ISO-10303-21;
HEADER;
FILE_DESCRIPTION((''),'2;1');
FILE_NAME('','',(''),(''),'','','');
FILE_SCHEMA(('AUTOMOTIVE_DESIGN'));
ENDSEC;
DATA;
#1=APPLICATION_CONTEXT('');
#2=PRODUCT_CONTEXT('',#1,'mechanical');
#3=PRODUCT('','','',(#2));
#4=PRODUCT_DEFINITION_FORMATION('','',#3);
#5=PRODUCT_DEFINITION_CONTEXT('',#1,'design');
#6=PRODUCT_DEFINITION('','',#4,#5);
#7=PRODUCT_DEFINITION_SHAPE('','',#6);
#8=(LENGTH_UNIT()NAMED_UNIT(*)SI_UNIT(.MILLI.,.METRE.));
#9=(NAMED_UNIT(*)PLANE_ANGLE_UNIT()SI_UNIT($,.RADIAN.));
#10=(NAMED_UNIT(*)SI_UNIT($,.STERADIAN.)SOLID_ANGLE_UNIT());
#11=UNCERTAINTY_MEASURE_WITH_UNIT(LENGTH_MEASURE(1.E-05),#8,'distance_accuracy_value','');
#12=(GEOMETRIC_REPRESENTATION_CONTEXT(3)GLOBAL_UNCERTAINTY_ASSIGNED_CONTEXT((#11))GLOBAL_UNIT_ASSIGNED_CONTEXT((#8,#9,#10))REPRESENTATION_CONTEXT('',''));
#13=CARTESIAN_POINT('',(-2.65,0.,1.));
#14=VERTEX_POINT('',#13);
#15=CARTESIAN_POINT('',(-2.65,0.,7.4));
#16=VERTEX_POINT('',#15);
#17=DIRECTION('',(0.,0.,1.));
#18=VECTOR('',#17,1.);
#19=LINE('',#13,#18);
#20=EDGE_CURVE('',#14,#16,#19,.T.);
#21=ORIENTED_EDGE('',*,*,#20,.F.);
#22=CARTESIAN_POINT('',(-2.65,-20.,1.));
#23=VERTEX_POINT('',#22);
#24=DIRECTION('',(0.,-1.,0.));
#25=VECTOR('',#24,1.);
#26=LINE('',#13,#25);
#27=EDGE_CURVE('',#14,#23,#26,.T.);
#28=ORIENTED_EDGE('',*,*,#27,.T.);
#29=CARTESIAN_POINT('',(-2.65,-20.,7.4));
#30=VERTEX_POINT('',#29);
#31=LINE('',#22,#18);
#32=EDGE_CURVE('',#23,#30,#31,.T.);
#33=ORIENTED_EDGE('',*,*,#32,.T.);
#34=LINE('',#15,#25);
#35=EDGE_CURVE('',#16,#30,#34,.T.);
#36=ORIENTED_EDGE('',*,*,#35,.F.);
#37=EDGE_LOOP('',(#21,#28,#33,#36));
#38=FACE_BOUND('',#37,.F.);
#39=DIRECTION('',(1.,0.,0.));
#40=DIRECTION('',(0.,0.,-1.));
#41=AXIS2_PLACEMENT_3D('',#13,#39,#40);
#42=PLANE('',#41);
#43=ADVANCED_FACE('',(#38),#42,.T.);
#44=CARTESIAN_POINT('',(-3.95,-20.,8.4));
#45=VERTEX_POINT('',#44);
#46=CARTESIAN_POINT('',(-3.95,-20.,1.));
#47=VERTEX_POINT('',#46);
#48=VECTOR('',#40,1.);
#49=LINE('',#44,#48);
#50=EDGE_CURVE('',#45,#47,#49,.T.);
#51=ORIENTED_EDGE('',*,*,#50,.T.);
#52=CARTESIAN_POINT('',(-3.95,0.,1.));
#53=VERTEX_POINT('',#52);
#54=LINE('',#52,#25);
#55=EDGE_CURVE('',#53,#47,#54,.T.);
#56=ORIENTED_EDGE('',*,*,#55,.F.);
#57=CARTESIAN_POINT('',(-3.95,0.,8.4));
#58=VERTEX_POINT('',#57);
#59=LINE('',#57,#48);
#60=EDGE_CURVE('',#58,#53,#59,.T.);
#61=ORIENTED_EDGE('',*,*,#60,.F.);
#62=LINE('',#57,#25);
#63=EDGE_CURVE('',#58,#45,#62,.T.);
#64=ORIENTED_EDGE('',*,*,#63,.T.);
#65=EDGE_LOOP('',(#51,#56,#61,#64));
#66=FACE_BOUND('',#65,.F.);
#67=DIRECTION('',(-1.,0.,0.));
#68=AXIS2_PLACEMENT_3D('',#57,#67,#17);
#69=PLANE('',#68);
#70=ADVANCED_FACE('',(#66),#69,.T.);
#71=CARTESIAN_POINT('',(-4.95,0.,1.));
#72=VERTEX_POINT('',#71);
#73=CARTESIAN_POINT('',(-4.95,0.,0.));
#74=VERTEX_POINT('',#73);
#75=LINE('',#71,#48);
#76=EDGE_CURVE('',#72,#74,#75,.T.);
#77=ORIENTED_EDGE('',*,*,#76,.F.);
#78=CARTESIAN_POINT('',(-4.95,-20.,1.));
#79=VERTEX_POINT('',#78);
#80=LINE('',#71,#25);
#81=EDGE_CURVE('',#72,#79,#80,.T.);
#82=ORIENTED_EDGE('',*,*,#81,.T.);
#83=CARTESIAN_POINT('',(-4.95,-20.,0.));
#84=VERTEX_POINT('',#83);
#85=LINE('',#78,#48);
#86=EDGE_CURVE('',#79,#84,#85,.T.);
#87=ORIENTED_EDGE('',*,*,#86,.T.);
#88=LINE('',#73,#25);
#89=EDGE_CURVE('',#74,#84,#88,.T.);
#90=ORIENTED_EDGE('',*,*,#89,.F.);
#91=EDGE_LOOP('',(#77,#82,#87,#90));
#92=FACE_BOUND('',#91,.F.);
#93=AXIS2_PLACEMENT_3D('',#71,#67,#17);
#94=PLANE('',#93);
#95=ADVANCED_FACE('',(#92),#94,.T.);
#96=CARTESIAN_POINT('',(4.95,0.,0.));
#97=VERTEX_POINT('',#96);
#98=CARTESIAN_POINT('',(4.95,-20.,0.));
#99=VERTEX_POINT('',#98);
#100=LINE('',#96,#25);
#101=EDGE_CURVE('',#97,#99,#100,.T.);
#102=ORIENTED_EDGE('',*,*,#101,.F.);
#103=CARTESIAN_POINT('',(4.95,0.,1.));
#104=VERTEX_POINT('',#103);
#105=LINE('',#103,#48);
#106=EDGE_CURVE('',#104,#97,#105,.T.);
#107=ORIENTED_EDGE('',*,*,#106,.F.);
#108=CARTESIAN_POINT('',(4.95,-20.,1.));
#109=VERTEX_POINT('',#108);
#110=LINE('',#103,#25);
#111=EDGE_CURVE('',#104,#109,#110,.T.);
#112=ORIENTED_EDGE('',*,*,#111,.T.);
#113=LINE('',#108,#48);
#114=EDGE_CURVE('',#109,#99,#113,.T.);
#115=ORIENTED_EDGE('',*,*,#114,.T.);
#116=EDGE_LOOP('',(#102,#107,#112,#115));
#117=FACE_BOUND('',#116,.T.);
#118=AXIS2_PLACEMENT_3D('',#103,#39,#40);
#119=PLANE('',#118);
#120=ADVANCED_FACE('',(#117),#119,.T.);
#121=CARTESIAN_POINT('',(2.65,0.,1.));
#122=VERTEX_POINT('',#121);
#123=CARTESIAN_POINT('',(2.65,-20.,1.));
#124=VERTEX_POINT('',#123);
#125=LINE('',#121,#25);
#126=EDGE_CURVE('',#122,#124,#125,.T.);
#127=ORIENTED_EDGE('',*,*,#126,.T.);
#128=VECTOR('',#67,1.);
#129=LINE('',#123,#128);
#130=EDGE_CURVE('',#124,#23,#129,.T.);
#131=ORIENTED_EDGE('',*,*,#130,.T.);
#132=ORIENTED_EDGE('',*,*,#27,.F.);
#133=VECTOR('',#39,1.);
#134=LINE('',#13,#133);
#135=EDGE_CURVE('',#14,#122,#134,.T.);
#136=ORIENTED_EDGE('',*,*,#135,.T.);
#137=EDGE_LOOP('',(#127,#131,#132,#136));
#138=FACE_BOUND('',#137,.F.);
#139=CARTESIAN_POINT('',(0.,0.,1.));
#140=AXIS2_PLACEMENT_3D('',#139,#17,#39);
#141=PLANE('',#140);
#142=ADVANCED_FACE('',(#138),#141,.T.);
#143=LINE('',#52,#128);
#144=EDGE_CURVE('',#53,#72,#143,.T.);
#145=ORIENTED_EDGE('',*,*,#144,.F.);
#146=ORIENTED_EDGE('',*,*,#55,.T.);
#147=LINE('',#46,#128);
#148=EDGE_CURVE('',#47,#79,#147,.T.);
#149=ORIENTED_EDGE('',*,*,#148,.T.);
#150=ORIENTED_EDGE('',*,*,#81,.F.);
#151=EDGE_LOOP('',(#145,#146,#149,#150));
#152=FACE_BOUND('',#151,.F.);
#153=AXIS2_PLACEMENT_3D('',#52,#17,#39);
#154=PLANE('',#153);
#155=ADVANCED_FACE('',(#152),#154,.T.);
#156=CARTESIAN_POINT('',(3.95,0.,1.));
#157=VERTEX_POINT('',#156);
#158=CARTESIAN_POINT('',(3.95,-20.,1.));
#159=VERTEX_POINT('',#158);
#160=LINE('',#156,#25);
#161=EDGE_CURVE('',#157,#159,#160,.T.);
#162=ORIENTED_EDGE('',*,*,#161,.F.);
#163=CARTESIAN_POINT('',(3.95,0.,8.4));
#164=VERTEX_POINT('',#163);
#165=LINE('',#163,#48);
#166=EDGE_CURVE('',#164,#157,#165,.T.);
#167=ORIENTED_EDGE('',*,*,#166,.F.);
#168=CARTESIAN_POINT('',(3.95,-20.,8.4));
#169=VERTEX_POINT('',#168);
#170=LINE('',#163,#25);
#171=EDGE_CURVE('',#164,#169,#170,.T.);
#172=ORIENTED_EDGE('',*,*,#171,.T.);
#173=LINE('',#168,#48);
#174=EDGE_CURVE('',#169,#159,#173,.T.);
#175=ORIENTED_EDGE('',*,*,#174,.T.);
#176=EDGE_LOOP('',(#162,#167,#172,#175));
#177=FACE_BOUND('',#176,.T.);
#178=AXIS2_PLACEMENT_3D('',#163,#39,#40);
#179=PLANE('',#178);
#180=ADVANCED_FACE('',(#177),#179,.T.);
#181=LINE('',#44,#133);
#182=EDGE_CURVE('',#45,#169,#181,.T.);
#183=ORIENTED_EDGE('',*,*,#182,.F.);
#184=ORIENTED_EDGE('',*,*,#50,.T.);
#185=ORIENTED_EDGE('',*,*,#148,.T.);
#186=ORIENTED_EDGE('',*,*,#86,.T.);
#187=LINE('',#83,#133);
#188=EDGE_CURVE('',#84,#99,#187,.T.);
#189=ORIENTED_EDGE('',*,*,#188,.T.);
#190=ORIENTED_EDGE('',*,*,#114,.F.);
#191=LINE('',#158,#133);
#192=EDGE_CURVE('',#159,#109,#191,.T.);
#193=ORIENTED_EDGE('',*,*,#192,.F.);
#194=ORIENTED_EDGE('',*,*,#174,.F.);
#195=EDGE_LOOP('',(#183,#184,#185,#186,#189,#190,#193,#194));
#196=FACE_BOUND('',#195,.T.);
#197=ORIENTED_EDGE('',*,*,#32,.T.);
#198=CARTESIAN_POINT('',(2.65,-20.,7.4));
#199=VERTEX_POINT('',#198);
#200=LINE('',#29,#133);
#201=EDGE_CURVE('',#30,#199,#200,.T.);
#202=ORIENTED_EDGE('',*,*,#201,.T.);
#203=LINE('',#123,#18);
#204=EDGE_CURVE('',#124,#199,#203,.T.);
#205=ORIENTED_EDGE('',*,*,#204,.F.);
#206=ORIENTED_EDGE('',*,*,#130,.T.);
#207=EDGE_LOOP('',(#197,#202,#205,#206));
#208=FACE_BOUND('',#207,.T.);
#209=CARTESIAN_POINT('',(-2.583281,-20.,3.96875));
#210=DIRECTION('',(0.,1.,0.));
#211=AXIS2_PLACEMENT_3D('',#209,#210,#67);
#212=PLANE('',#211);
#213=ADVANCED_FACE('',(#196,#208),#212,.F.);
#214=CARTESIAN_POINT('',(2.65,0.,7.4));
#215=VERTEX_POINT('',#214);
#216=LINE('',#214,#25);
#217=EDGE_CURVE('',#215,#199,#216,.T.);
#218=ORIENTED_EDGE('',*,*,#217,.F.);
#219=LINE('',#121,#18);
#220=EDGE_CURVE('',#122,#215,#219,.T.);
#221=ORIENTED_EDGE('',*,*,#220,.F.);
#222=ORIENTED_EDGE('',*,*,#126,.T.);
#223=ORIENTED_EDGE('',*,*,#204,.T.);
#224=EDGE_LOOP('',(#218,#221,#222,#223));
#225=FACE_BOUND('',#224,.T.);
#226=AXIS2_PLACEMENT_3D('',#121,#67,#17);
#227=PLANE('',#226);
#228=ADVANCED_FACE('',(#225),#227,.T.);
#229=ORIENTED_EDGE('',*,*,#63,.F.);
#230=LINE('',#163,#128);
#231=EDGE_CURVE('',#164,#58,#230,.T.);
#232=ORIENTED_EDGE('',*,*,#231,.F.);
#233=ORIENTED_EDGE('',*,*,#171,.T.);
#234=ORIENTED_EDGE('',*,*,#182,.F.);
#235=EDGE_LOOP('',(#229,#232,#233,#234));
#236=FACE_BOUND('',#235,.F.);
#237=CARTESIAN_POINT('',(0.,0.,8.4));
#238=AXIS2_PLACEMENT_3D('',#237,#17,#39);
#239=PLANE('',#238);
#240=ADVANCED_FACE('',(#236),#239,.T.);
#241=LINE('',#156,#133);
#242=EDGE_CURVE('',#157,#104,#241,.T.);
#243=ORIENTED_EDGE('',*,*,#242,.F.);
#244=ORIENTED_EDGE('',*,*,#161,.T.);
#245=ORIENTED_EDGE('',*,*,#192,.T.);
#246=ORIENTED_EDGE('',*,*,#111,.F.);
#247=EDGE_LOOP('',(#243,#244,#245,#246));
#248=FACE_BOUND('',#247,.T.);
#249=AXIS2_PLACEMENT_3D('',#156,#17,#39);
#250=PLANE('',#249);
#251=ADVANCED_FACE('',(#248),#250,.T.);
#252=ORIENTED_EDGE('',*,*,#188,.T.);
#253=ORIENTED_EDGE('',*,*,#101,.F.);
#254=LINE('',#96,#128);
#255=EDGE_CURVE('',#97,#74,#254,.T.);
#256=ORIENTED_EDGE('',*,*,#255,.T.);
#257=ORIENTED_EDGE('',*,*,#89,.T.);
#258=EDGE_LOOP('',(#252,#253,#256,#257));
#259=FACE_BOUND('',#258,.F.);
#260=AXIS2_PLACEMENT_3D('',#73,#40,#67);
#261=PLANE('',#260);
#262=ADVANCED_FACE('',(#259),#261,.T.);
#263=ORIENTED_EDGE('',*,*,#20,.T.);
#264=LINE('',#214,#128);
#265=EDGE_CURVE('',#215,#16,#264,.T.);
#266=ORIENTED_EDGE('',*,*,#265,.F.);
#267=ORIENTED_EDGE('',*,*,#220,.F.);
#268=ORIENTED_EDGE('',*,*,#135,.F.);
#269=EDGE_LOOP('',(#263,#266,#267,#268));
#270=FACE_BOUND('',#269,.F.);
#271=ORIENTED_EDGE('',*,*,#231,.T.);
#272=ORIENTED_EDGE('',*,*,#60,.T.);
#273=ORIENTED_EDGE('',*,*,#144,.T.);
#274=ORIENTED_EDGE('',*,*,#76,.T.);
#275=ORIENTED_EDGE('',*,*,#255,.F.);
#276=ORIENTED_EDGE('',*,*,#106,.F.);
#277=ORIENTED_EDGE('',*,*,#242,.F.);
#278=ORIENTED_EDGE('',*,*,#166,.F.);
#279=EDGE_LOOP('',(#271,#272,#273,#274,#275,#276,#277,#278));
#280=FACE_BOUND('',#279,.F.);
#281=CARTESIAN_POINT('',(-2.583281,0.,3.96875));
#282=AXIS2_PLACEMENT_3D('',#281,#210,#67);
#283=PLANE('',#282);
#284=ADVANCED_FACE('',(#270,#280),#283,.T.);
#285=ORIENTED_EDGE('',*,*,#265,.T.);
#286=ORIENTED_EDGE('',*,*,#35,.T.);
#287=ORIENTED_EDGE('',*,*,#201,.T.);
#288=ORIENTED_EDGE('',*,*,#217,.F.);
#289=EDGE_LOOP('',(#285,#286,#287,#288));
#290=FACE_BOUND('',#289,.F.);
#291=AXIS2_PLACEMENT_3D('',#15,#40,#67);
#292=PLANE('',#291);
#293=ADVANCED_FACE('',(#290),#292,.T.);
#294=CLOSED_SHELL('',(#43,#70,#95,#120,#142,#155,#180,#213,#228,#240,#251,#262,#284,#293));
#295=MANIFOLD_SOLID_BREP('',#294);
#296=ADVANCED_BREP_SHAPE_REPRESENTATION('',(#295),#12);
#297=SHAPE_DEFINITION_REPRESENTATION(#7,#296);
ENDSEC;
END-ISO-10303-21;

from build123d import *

# Parameters (mm, degrees)
PAD_DEPTH = 20


with BuildPart() as part:
    # Sketch → Pad (new body)
    with BuildSketch(Plane.XZ):
        Polygon((3.95, 8.4), (3.95, 1), (4.95, 1), (4.95, 0), (0, 0), (0, 1), (2.65, 1), (2.65, 7.4), (0, 7.4), (0, 8.4), align=None)
    pad = extrude(amount=PAD_DEPTH)

    # Mirrored: Pad across Sketch V_Axis
    add(pad.mirror(Plane(origin=(0, 0, 0), x_dir=(0, -1, 0), z_dir=(1, 0, 0))))


solid = part.part
